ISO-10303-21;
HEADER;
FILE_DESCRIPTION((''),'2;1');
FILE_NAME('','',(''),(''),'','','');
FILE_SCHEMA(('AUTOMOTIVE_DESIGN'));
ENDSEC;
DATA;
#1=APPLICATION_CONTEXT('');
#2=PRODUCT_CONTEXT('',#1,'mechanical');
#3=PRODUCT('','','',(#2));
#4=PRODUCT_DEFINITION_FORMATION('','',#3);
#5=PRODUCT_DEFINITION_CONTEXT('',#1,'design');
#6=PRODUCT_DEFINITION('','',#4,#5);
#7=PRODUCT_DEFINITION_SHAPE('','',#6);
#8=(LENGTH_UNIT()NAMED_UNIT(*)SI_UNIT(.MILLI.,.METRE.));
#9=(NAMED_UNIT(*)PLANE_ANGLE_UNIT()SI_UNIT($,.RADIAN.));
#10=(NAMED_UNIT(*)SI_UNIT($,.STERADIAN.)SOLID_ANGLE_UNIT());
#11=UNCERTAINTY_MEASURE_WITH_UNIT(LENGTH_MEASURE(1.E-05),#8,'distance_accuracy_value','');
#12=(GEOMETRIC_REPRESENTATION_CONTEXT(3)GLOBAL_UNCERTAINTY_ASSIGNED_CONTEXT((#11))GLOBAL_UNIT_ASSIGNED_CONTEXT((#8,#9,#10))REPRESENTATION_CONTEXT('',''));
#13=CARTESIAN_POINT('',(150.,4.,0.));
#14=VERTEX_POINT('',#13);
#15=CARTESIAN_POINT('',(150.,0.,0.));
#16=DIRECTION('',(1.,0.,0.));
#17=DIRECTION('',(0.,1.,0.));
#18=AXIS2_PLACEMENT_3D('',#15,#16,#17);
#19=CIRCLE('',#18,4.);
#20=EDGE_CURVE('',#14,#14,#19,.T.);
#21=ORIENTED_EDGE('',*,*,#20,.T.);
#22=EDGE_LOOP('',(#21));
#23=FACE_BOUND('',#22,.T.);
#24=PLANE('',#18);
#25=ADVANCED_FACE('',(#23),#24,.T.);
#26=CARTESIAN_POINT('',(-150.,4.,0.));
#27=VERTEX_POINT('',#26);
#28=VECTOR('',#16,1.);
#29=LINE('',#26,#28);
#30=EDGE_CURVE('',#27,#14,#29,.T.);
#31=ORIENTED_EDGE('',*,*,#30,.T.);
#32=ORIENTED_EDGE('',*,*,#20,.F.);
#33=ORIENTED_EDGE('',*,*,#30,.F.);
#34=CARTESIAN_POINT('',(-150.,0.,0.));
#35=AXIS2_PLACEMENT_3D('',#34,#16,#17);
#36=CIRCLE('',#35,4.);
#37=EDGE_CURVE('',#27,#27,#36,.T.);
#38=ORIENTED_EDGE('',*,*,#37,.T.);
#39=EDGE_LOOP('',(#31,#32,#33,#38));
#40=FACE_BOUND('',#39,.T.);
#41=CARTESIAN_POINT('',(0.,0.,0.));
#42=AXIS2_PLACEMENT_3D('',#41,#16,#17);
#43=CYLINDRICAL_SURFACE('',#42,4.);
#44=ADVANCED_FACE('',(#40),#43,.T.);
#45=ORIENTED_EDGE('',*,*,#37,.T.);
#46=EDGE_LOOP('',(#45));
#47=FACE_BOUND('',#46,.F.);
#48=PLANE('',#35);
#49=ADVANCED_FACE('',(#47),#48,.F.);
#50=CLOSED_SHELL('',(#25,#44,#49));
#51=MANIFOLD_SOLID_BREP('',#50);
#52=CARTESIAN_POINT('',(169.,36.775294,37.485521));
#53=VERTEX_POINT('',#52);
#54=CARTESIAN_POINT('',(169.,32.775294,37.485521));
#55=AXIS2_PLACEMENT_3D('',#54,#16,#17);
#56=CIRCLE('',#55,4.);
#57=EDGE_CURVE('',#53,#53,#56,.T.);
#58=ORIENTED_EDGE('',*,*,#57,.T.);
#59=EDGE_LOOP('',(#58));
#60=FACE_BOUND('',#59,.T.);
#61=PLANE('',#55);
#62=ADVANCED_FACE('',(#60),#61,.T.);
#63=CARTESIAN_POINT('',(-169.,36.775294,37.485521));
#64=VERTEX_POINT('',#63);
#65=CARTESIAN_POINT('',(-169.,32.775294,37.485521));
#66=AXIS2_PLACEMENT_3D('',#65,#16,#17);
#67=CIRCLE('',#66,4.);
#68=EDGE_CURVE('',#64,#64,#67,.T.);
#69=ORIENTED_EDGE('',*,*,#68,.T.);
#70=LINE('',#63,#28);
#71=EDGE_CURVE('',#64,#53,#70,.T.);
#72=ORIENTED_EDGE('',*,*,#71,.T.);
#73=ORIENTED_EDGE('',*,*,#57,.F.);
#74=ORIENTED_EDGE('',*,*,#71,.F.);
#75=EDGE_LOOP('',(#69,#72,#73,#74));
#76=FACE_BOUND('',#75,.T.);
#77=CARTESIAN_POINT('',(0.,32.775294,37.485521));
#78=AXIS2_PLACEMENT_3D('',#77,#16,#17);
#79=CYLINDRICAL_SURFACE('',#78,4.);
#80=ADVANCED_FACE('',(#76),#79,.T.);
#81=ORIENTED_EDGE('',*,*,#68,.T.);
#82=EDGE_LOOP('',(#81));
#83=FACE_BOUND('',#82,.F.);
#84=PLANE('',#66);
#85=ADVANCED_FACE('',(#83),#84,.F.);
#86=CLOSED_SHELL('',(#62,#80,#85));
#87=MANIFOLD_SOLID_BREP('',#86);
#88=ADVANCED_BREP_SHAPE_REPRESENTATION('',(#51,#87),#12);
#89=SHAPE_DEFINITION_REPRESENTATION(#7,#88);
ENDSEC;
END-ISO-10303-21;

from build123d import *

# Parameters (mm, degrees)
F1_R     = 4
F2_DEPTH = 150
F3_R     = 4
F4_DEPTH = 169


with BuildPart() as f2:
    # F1 (on Right) → F2 (new body, symmetric)
    with BuildSketch(Plane.YZ):
        Circle(F1_R)
    extrude(amount=F2_DEPTH, both=True)


with BuildPart() as f4:
    # F3 (on Right) → F4 (new body, symmetric)
    with BuildSketch(Plane.YZ):
        with Locations((32.7752940357, 37.4855212867)):
            Circle(F3_R)
    extrude(amount=F4_DEPTH, both=True)


solid = Compound([f2.part, f4.part])
